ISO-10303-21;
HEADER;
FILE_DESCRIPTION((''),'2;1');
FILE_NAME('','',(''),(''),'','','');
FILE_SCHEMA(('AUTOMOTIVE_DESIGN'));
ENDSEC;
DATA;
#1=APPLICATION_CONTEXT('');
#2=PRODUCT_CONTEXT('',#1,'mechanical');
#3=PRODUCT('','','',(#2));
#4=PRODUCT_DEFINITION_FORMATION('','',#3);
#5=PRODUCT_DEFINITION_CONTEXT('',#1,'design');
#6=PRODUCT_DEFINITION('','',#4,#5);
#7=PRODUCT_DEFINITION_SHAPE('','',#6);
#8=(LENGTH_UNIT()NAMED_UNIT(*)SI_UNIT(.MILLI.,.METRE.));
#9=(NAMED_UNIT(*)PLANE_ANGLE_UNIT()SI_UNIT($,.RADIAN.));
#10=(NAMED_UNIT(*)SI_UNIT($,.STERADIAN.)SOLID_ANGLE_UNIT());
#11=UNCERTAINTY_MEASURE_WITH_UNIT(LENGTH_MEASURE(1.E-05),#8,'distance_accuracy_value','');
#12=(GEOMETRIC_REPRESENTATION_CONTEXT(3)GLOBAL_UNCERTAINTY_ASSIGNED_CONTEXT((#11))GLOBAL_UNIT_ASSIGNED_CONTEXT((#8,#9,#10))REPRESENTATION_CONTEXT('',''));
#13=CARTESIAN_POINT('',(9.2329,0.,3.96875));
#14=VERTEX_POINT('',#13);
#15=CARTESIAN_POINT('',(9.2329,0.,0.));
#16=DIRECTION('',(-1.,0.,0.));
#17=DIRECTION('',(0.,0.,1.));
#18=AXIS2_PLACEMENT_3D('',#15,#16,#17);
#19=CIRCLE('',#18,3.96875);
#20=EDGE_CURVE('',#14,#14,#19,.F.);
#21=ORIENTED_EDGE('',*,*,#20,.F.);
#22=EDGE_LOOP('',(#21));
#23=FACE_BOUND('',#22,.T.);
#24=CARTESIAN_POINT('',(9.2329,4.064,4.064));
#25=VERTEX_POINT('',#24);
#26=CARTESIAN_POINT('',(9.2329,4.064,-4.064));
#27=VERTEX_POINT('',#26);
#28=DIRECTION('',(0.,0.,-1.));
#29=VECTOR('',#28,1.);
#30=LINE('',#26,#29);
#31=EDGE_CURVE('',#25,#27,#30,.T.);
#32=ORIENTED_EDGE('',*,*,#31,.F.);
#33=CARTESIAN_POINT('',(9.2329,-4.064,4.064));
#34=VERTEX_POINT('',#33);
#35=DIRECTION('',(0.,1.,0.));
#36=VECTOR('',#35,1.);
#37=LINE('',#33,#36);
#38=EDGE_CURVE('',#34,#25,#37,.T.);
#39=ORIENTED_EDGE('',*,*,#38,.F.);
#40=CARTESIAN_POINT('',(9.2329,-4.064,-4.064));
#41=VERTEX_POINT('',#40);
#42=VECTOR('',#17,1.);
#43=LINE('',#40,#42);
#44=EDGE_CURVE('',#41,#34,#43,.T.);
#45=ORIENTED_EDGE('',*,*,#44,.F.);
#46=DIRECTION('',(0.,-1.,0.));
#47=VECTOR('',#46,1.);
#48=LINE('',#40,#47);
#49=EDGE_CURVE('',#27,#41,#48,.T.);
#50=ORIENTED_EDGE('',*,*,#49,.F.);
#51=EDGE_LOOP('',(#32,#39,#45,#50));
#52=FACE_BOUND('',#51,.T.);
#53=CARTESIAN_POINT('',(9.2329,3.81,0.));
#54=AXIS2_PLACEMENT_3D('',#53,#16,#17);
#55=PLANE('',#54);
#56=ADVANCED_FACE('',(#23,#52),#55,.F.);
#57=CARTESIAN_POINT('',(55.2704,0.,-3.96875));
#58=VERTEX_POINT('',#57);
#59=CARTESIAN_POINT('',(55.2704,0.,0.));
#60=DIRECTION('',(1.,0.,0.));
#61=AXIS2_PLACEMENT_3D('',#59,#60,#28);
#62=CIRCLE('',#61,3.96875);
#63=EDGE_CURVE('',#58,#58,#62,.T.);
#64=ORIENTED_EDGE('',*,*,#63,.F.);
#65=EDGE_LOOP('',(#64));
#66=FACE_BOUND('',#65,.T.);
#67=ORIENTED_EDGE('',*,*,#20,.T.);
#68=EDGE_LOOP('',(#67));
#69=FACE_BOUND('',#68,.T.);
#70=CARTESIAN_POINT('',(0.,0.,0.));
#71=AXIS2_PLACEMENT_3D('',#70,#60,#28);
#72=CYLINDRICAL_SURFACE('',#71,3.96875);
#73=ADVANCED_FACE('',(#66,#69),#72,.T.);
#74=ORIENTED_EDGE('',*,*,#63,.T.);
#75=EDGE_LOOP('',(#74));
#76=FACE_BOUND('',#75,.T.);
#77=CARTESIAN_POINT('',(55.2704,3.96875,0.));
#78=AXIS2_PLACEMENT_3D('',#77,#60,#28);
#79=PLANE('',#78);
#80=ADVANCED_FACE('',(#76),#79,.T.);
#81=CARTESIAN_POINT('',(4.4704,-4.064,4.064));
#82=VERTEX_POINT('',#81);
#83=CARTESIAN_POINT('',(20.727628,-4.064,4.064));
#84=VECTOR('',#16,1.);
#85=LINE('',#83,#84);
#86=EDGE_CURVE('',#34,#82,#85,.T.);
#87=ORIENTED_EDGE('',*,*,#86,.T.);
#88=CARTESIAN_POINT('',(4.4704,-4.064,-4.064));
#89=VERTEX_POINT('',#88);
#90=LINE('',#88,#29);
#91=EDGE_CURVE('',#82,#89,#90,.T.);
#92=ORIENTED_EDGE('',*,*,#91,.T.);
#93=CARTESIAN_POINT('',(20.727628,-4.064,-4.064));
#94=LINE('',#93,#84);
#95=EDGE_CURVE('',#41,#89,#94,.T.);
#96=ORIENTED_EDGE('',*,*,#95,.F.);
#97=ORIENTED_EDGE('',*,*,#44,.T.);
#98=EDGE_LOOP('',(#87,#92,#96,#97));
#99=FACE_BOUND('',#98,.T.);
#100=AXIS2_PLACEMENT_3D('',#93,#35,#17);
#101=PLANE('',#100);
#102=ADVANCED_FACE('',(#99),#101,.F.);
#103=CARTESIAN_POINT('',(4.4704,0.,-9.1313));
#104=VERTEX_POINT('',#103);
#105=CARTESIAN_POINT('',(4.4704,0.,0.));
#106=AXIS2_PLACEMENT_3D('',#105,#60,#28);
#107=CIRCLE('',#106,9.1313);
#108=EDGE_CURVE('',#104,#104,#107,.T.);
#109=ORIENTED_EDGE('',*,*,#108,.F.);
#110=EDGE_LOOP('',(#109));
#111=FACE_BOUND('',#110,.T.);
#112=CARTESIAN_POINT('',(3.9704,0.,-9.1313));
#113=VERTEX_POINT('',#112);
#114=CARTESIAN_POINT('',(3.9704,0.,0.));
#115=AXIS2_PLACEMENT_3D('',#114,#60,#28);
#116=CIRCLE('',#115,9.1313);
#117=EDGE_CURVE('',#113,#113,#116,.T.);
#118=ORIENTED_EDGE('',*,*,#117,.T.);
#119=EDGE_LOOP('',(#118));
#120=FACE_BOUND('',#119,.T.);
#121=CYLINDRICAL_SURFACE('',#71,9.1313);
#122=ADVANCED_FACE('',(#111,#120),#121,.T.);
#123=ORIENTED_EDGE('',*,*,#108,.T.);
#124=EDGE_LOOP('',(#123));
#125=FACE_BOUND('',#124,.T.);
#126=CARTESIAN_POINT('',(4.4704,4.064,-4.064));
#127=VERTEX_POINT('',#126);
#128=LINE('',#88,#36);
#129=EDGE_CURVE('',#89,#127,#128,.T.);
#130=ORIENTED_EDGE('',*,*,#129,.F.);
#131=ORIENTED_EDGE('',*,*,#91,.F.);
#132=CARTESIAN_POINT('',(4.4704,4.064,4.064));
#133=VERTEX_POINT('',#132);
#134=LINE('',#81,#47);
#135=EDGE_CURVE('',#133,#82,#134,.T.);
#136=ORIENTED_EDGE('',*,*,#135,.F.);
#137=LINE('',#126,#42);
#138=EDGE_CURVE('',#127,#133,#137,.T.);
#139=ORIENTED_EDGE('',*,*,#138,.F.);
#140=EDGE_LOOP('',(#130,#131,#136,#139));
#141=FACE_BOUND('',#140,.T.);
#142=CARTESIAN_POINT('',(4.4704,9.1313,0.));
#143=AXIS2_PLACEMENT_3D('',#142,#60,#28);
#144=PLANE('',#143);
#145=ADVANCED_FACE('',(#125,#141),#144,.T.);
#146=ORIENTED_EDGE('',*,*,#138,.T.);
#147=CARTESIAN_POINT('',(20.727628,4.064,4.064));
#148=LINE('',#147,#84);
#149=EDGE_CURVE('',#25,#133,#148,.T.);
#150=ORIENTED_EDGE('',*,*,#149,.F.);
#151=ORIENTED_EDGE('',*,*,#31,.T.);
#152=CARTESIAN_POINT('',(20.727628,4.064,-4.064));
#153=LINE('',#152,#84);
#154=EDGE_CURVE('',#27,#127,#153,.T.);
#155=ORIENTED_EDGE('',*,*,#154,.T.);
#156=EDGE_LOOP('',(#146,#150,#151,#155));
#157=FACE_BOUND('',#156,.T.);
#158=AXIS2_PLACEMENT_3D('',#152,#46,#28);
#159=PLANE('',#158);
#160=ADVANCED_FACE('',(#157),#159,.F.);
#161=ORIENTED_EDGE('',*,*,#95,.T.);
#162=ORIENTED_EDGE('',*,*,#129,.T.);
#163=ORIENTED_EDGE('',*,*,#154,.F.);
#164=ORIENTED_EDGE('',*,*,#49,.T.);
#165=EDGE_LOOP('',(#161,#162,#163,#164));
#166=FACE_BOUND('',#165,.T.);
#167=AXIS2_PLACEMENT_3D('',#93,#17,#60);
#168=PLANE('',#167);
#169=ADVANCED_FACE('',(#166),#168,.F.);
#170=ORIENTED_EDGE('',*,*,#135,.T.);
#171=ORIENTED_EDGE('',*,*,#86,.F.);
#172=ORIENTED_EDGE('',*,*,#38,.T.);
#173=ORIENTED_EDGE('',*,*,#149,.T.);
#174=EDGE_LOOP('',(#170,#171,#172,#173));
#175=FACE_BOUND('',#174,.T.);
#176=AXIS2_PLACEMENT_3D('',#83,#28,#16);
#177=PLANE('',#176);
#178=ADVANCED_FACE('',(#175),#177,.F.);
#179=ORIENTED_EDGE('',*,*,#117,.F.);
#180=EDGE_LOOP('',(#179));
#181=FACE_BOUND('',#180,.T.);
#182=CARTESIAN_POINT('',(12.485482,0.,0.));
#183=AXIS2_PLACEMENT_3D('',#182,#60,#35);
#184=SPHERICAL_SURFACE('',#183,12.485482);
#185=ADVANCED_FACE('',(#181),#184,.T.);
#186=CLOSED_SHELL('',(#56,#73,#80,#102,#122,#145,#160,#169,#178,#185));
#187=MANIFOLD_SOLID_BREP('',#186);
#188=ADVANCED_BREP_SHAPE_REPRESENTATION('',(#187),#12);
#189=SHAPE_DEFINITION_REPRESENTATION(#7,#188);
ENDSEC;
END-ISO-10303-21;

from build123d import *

# Parameters (mm, degrees)
SKETCH2_W           = 8.128
SKETCH2_H           = 8.128
BOSS_EXTRUDE1_DEPTH = 4.7625


with BuildPart() as part:
    # Sketch1 → Revolve1 (revolve)
    with BuildSketch(Plane.XY, mode=Mode.PRIVATE) as revolve1_sk:
        with BuildLine():
            Line((3.9704, 9.1313), (4.4704, 9.1313))
            Line((4.4704, 9.1313), (4.4704, 3.81))
            Line((4.4704, 3.81), (9.2329, 3.81))
            Line((9.2329, 3.81), (9.2329, 3.96875))
            Line((9.2329, 3.96875), (55.2704, 3.96875))
            Line((55.2704, 3.96875), (55.2704, 0))
            Line((55.2704, 0), (0, 0))
            ThreePointArc((0, 0), (1.035543925, 4.97857198), (3.9704, 9.1313))
        make_face()
    revolve(revolve1_sk.sketch.rotate(Axis((0, 0, 0), (-1, 0, 0)), 90), axis=Axis((0, 0, 0), (-1, 0, 0)))

    # Sketch2 → Boss-Extrude1 (add)
    with BuildSketch(Plane(origin=(4.4704, 0, 0), x_dir=(0, 0, -1), z_dir=(1, 0, 0))):
        Rectangle(SKETCH2_W, SKETCH2_H)
    extrude(amount=BOSS_EXTRUDE1_DEPTH)


solid = part.part
